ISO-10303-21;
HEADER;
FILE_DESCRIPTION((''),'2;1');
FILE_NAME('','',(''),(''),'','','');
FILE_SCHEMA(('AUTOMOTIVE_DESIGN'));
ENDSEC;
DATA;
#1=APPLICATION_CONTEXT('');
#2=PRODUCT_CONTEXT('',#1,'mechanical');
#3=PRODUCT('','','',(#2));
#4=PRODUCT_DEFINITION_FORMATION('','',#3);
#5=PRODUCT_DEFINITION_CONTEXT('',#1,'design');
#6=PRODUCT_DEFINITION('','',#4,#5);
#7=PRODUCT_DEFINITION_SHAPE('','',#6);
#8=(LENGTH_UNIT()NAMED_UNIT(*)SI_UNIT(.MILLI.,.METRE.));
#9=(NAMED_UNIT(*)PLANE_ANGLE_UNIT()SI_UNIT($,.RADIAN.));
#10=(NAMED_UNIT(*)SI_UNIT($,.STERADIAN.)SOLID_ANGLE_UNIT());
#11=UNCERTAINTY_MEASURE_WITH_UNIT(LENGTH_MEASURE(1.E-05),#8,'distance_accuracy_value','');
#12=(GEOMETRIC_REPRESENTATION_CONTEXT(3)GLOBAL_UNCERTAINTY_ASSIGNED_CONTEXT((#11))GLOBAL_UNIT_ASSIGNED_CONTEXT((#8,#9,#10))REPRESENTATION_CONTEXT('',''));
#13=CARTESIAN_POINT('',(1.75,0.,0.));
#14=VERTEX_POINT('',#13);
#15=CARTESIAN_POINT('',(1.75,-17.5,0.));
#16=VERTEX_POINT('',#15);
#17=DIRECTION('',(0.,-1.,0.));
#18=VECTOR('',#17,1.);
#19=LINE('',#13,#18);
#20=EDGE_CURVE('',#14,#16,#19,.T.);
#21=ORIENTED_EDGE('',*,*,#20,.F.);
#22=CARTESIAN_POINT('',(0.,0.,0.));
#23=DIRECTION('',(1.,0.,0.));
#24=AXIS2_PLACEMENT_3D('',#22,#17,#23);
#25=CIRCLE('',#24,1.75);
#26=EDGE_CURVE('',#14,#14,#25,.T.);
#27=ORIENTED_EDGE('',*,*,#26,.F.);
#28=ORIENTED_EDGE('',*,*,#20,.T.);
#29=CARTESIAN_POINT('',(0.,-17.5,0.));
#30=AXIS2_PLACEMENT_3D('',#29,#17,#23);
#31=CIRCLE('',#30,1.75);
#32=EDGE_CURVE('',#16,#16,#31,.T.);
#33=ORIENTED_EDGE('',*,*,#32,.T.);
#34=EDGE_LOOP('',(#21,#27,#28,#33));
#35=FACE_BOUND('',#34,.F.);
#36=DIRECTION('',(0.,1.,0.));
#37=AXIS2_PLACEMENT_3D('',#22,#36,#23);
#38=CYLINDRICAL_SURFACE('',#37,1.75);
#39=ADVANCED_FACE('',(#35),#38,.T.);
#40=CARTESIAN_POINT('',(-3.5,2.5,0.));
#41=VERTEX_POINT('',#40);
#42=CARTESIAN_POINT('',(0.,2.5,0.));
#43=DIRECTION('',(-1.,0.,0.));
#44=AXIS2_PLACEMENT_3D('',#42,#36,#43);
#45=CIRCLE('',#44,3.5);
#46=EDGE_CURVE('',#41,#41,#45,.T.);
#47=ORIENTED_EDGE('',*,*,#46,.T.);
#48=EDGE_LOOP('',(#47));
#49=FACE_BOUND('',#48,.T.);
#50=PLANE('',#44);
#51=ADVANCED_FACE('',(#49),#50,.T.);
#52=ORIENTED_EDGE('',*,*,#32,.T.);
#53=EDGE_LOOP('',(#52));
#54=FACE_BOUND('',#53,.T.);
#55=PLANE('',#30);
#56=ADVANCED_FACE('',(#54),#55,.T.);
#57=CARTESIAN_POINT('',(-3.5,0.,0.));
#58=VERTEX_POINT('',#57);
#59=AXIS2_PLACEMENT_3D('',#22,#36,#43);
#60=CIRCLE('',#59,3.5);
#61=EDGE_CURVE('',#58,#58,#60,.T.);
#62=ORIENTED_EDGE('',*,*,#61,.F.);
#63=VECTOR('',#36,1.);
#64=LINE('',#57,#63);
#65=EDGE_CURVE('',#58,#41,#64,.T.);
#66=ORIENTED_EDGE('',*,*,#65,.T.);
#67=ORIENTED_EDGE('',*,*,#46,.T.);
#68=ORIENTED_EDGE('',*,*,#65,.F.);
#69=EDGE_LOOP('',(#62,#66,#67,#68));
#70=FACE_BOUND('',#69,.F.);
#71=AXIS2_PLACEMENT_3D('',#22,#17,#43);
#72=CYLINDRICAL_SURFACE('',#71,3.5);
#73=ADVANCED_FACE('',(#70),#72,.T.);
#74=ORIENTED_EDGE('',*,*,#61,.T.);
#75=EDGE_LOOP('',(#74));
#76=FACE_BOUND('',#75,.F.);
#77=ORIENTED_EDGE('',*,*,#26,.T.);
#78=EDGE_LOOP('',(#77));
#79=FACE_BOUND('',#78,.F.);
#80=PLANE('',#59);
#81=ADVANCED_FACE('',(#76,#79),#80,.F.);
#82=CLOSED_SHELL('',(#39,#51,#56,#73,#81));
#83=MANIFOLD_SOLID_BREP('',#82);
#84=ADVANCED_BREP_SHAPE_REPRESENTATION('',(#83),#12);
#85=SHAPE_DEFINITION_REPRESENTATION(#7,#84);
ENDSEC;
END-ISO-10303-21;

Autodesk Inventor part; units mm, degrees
ref_plane "YZ Plane" through (0, 0, 0) normal (1, 0, 0) x (0, 1, 0)
ref_plane "XZ Plane" through (0, 0, 0) normal (0, 1, 0) x (-1, 0, 0)
ref_plane "XY Plane" through (0, 0, 0) normal (0, 0, 1) x (1, 0, 0)
sketch "Sketch1" plane through (0, 0, 0) normal (0, 1, 0) x (-1, 0, 0)
  circle A0 centre (0, 0) radius 3.5
  dimension "d0" = 7
extrude "Extrusion1" add sketch "Sketch1" along normal blind 2.5
sketch "Sketch2" plane through (0, 0, 0) normal (0, -1, 0) x (1, 0, 0)
  circle A0 centre (0, 0) radius 1.75
  dimension "d3" = 3.5
extrude "Extrusion2" add sketch "Sketch2" along normal blind 17.5
properties part number "tornillo_7_21"
